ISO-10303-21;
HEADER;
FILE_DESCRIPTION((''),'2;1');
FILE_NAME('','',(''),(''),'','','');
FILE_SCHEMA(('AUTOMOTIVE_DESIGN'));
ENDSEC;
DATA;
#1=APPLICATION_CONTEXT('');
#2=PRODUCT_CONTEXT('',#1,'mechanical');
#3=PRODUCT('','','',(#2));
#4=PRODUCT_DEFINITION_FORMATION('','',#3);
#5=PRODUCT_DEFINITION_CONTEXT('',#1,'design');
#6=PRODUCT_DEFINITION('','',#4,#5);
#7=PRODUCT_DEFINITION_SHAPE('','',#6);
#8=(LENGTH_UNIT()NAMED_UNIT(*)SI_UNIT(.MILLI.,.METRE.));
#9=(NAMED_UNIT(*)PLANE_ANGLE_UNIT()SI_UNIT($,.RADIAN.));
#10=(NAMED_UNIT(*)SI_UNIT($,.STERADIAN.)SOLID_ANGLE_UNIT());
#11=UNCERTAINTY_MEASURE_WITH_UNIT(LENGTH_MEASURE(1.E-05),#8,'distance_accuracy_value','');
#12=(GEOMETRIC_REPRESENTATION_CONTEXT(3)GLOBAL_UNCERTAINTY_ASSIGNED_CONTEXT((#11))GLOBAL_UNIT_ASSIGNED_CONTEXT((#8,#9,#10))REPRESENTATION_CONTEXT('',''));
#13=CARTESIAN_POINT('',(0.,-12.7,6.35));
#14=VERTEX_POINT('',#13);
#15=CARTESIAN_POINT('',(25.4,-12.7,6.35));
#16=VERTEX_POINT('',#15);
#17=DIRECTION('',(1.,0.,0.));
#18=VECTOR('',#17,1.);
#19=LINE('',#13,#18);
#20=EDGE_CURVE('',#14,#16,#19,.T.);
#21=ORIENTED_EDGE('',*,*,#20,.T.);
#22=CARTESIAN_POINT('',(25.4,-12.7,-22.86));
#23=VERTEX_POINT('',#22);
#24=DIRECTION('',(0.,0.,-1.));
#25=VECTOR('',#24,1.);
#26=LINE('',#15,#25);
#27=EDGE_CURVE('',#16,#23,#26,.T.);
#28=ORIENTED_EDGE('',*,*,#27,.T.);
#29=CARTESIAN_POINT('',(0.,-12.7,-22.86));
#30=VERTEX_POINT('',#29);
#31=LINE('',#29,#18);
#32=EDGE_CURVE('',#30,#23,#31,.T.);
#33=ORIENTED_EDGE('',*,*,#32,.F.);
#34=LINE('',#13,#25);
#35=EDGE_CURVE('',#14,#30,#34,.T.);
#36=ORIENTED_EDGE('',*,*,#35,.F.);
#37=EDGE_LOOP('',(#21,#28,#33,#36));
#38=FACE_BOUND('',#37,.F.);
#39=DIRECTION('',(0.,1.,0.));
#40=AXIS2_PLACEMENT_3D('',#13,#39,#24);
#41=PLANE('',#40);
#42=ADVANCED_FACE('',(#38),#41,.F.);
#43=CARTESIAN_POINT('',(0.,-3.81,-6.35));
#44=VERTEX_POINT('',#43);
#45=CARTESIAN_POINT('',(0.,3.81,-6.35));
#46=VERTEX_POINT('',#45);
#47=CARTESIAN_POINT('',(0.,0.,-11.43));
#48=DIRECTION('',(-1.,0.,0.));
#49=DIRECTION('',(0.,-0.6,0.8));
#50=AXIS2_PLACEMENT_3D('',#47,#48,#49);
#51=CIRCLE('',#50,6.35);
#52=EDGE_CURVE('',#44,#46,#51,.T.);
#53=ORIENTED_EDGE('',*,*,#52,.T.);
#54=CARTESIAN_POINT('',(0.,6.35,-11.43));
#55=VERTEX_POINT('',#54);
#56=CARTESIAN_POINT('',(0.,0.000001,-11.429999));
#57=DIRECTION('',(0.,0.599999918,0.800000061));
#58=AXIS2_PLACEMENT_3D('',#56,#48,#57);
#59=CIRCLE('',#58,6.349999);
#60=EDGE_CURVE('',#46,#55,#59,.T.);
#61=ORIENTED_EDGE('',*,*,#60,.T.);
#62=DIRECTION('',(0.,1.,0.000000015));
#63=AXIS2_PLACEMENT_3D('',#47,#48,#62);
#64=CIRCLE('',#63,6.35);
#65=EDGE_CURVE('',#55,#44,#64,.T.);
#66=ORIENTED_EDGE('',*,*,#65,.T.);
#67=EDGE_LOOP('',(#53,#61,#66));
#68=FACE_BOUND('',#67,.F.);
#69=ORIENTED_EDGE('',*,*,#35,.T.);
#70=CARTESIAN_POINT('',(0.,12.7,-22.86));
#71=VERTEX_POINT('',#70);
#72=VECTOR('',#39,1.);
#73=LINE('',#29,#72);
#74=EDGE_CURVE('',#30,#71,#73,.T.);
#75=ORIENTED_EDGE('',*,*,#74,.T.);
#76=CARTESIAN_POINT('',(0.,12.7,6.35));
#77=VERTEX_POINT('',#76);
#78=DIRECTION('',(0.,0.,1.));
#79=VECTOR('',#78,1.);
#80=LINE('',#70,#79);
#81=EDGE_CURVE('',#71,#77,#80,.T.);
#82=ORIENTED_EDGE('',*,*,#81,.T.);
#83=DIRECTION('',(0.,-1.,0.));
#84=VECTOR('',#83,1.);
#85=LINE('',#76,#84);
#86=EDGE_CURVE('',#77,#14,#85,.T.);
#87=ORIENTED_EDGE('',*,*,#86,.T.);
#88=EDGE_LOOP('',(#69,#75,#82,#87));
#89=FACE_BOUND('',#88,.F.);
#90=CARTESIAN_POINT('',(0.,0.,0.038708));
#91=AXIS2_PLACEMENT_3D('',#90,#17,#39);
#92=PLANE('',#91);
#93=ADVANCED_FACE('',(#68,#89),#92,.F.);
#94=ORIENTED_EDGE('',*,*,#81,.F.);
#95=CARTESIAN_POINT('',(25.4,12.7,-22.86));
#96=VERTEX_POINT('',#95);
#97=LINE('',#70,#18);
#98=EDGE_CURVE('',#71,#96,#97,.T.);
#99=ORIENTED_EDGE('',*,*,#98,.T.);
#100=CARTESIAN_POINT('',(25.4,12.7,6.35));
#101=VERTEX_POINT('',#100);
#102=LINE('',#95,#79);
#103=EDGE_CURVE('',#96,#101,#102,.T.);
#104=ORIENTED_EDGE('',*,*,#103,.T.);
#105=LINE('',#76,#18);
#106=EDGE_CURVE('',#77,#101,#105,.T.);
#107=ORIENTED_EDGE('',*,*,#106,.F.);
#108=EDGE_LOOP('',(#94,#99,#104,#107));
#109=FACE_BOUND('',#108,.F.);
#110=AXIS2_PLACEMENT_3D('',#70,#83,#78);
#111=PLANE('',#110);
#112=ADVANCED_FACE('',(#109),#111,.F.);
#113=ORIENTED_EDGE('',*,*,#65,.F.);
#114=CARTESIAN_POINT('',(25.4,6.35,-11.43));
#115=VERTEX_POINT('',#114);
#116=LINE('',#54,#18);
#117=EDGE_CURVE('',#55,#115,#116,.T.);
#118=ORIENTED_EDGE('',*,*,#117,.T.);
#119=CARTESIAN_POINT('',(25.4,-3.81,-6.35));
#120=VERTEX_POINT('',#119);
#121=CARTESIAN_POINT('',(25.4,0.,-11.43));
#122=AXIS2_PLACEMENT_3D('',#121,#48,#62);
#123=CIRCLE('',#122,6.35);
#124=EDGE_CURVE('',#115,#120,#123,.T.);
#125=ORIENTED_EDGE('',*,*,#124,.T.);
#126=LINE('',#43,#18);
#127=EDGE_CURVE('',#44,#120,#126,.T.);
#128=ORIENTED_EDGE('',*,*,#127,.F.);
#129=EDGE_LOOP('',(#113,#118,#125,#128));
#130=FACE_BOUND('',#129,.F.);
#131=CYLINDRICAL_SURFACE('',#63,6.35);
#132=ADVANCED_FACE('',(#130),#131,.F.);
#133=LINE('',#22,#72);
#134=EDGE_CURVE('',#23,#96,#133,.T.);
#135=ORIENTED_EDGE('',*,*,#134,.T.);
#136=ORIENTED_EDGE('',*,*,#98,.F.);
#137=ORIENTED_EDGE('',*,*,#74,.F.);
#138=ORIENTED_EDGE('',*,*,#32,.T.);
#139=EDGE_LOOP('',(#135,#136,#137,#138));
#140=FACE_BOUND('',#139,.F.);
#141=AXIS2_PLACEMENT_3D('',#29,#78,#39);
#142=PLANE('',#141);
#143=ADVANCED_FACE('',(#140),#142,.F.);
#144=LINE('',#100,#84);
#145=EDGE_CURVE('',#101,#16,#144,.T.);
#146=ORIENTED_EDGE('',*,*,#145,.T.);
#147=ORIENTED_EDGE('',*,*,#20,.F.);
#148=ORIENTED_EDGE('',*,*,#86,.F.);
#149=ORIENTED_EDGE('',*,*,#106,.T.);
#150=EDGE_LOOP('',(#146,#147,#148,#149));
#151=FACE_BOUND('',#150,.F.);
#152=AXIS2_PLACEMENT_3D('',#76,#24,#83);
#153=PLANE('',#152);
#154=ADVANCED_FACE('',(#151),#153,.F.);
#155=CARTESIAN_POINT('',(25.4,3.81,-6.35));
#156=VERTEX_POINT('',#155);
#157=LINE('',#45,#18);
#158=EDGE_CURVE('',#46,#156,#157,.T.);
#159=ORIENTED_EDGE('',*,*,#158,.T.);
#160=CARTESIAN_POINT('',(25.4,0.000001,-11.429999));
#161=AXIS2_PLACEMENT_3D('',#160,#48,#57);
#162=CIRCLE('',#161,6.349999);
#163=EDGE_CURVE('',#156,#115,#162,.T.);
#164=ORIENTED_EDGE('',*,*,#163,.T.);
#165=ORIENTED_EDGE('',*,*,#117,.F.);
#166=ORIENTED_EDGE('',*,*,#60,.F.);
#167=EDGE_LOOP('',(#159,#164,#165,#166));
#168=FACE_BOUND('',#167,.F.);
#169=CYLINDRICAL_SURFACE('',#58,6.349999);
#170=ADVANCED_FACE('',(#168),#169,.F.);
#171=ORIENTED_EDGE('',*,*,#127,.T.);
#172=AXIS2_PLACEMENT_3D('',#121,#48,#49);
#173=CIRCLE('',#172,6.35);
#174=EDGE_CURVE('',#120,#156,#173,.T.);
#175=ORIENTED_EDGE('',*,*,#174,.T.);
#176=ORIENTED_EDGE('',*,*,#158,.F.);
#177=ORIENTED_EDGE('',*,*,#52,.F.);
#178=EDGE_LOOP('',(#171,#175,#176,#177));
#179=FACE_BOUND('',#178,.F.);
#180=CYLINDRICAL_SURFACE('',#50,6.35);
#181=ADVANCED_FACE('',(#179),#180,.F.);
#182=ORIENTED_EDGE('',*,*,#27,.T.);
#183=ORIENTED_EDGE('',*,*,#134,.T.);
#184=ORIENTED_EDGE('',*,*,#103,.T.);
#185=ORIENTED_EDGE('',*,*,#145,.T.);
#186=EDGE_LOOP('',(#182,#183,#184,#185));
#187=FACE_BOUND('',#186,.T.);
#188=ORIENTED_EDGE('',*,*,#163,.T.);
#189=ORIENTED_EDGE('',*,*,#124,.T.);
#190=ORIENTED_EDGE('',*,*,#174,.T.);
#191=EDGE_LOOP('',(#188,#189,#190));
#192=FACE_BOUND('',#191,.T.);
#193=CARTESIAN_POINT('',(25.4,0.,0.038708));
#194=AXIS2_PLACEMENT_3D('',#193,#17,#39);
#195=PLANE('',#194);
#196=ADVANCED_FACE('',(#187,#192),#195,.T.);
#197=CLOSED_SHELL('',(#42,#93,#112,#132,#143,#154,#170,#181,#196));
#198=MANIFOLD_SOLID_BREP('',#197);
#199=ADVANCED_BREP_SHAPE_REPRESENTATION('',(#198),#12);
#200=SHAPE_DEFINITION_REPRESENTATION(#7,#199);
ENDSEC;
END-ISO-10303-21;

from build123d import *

# Parameters (mm, degrees)
F1_DEPTH = 25.4


with BuildPart() as f1:
    # F0 (on Right) → F1 (new body)
    with BuildSketch(Plane.YZ):
        with BuildLine():
            Line((3.81, -6.35), (12.7, -6.35))
            Line((12.7, -6.35), (12.7, 6.35))
            Line((12.7, 6.35), (-12.7, 6.35))
            Line((-12.7, 6.35), (-12.7, -6.35))
            Line((-12.7, -6.35), (-3.81, -6.35))
            ThreePointArc((-3.81, -6.35), (0, -5.08), (3.81, -6.35))
        make_face()
        with BuildLine():
            Line((12.7, -22.86), (12.7, -6.35))
            Line((12.7, -6.35), (3.81, -6.35))
            ThreePointArc((3.81, -6.35), (5.679613, -8.590194), (6.35, -11.43))
            ThreePointArc((6.35, -11.43), (-2.839806, -17.109613), (-3.81, -6.35))
            Line((-3.81, -6.35), (-12.7, -6.35))
            Line((-12.7, -6.35), (-12.7, -22.86))
            Line((-12.7, -22.86), (12.7, -22.86))
        make_face()
    extrude(amount=F1_DEPTH)


solid = f1.part
